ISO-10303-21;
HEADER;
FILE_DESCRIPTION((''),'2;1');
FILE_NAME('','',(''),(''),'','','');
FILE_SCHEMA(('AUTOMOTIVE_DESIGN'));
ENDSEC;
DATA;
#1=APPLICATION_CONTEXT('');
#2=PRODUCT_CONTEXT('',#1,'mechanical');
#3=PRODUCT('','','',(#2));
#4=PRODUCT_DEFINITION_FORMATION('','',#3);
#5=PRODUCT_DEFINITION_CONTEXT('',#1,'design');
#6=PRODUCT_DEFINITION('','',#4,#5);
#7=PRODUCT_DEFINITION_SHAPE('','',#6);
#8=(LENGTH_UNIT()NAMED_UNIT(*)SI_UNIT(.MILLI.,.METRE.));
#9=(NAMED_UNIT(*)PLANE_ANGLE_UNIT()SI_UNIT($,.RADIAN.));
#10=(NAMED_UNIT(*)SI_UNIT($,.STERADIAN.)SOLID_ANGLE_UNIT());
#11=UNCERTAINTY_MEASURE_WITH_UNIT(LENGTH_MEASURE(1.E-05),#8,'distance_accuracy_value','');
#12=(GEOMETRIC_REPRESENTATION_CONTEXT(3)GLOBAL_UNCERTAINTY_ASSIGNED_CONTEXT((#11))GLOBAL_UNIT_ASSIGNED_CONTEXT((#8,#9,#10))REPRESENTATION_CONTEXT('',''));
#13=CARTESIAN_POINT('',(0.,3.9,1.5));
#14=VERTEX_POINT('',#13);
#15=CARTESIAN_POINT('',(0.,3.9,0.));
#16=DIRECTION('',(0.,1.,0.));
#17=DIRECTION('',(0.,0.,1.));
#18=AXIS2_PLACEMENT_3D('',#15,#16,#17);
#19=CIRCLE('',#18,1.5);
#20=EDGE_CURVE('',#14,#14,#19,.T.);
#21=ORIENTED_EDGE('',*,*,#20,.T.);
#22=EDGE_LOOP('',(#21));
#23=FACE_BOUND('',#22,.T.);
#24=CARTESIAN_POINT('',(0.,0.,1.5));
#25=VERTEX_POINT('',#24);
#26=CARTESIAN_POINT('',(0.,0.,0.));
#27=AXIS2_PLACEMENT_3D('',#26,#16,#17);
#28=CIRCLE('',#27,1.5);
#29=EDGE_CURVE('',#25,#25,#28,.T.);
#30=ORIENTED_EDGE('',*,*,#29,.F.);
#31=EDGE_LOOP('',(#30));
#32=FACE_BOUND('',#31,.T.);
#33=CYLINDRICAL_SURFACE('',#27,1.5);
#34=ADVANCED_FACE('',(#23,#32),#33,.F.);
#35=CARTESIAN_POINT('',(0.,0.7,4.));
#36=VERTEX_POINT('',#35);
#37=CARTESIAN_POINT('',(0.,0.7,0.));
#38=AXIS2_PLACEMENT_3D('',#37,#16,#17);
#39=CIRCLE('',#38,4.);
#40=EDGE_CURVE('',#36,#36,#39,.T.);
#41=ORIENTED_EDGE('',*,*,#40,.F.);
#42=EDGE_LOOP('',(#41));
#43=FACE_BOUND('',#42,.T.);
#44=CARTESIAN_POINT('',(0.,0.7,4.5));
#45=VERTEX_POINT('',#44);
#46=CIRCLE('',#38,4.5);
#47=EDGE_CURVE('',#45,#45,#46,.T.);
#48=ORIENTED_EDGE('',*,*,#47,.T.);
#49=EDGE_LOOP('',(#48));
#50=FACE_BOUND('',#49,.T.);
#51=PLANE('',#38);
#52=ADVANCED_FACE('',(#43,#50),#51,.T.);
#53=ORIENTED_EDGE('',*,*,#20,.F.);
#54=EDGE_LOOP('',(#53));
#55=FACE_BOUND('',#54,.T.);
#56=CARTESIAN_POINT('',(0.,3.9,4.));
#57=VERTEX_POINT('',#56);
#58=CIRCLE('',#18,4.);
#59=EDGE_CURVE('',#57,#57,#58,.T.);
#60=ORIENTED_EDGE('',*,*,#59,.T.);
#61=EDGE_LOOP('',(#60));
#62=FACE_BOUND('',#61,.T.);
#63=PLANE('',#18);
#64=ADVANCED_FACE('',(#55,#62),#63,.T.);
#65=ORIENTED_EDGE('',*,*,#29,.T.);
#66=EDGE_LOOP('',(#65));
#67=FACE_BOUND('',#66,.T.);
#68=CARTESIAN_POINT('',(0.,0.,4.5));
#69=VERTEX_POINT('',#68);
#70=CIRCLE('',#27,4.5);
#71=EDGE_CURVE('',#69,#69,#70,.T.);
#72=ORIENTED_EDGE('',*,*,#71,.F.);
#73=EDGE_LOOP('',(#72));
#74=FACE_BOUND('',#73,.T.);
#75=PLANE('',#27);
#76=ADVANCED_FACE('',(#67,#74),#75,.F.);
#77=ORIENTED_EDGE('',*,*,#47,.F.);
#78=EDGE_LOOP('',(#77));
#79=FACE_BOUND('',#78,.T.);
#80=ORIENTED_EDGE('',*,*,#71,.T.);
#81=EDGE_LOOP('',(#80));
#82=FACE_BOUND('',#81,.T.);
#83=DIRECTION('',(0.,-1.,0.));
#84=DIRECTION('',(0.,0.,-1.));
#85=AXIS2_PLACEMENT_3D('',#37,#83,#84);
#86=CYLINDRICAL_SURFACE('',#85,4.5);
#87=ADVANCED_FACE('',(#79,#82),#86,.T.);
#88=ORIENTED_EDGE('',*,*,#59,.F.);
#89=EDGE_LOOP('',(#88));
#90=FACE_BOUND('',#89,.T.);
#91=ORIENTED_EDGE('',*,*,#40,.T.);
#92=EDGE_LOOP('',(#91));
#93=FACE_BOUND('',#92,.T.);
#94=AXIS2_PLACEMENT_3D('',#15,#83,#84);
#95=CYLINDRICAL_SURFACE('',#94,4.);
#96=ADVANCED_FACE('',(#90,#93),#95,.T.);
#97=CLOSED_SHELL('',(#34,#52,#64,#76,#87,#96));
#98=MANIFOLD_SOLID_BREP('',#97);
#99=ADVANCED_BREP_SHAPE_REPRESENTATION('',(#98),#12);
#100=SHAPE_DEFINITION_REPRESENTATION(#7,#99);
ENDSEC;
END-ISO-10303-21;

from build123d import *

# Parameters (mm, degrees)
SKETCH1_R           = 4.5
BOSS_EXTRUDE1_DEPTH = 0.7
SKETCH2_R           = 4
BOSS_EXTRUDE2_DEPTH = 3.2
SKETCH3_R           = 1.5
CUT_EXTRUDE1_DEPTH  = 4.9


with BuildPart() as part:
    # Sketch1 → Boss-Extrude1 (new body)
    with BuildSketch(Plane(origin=(0, 0, 0), x_dir=(1, 0, 0), z_dir=(0, 1, 0))):
        Circle(SKETCH1_R)
    extrude(amount=BOSS_EXTRUDE1_DEPTH)

    # Sketch2 → Boss-Extrude2 (add)
    with BuildSketch(Plane(origin=(0, 0.7, 0), x_dir=(1, 0, 0), z_dir=(0, 1, 0))):
        Circle(SKETCH2_R)
    extrude(amount=BOSS_EXTRUDE2_DEPTH)

    # Sketch3 → Cut-Extrude1 (cut, through all)
    with BuildSketch(Plane(origin=(0, 3.9, 0), x_dir=(1, 0, 0), z_dir=(0, 1, 0))):
        Circle(SKETCH3_R)
    extrude(amount=-CUT_EXTRUDE1_DEPTH, mode=Mode.SUBTRACT)


solid = part.part
